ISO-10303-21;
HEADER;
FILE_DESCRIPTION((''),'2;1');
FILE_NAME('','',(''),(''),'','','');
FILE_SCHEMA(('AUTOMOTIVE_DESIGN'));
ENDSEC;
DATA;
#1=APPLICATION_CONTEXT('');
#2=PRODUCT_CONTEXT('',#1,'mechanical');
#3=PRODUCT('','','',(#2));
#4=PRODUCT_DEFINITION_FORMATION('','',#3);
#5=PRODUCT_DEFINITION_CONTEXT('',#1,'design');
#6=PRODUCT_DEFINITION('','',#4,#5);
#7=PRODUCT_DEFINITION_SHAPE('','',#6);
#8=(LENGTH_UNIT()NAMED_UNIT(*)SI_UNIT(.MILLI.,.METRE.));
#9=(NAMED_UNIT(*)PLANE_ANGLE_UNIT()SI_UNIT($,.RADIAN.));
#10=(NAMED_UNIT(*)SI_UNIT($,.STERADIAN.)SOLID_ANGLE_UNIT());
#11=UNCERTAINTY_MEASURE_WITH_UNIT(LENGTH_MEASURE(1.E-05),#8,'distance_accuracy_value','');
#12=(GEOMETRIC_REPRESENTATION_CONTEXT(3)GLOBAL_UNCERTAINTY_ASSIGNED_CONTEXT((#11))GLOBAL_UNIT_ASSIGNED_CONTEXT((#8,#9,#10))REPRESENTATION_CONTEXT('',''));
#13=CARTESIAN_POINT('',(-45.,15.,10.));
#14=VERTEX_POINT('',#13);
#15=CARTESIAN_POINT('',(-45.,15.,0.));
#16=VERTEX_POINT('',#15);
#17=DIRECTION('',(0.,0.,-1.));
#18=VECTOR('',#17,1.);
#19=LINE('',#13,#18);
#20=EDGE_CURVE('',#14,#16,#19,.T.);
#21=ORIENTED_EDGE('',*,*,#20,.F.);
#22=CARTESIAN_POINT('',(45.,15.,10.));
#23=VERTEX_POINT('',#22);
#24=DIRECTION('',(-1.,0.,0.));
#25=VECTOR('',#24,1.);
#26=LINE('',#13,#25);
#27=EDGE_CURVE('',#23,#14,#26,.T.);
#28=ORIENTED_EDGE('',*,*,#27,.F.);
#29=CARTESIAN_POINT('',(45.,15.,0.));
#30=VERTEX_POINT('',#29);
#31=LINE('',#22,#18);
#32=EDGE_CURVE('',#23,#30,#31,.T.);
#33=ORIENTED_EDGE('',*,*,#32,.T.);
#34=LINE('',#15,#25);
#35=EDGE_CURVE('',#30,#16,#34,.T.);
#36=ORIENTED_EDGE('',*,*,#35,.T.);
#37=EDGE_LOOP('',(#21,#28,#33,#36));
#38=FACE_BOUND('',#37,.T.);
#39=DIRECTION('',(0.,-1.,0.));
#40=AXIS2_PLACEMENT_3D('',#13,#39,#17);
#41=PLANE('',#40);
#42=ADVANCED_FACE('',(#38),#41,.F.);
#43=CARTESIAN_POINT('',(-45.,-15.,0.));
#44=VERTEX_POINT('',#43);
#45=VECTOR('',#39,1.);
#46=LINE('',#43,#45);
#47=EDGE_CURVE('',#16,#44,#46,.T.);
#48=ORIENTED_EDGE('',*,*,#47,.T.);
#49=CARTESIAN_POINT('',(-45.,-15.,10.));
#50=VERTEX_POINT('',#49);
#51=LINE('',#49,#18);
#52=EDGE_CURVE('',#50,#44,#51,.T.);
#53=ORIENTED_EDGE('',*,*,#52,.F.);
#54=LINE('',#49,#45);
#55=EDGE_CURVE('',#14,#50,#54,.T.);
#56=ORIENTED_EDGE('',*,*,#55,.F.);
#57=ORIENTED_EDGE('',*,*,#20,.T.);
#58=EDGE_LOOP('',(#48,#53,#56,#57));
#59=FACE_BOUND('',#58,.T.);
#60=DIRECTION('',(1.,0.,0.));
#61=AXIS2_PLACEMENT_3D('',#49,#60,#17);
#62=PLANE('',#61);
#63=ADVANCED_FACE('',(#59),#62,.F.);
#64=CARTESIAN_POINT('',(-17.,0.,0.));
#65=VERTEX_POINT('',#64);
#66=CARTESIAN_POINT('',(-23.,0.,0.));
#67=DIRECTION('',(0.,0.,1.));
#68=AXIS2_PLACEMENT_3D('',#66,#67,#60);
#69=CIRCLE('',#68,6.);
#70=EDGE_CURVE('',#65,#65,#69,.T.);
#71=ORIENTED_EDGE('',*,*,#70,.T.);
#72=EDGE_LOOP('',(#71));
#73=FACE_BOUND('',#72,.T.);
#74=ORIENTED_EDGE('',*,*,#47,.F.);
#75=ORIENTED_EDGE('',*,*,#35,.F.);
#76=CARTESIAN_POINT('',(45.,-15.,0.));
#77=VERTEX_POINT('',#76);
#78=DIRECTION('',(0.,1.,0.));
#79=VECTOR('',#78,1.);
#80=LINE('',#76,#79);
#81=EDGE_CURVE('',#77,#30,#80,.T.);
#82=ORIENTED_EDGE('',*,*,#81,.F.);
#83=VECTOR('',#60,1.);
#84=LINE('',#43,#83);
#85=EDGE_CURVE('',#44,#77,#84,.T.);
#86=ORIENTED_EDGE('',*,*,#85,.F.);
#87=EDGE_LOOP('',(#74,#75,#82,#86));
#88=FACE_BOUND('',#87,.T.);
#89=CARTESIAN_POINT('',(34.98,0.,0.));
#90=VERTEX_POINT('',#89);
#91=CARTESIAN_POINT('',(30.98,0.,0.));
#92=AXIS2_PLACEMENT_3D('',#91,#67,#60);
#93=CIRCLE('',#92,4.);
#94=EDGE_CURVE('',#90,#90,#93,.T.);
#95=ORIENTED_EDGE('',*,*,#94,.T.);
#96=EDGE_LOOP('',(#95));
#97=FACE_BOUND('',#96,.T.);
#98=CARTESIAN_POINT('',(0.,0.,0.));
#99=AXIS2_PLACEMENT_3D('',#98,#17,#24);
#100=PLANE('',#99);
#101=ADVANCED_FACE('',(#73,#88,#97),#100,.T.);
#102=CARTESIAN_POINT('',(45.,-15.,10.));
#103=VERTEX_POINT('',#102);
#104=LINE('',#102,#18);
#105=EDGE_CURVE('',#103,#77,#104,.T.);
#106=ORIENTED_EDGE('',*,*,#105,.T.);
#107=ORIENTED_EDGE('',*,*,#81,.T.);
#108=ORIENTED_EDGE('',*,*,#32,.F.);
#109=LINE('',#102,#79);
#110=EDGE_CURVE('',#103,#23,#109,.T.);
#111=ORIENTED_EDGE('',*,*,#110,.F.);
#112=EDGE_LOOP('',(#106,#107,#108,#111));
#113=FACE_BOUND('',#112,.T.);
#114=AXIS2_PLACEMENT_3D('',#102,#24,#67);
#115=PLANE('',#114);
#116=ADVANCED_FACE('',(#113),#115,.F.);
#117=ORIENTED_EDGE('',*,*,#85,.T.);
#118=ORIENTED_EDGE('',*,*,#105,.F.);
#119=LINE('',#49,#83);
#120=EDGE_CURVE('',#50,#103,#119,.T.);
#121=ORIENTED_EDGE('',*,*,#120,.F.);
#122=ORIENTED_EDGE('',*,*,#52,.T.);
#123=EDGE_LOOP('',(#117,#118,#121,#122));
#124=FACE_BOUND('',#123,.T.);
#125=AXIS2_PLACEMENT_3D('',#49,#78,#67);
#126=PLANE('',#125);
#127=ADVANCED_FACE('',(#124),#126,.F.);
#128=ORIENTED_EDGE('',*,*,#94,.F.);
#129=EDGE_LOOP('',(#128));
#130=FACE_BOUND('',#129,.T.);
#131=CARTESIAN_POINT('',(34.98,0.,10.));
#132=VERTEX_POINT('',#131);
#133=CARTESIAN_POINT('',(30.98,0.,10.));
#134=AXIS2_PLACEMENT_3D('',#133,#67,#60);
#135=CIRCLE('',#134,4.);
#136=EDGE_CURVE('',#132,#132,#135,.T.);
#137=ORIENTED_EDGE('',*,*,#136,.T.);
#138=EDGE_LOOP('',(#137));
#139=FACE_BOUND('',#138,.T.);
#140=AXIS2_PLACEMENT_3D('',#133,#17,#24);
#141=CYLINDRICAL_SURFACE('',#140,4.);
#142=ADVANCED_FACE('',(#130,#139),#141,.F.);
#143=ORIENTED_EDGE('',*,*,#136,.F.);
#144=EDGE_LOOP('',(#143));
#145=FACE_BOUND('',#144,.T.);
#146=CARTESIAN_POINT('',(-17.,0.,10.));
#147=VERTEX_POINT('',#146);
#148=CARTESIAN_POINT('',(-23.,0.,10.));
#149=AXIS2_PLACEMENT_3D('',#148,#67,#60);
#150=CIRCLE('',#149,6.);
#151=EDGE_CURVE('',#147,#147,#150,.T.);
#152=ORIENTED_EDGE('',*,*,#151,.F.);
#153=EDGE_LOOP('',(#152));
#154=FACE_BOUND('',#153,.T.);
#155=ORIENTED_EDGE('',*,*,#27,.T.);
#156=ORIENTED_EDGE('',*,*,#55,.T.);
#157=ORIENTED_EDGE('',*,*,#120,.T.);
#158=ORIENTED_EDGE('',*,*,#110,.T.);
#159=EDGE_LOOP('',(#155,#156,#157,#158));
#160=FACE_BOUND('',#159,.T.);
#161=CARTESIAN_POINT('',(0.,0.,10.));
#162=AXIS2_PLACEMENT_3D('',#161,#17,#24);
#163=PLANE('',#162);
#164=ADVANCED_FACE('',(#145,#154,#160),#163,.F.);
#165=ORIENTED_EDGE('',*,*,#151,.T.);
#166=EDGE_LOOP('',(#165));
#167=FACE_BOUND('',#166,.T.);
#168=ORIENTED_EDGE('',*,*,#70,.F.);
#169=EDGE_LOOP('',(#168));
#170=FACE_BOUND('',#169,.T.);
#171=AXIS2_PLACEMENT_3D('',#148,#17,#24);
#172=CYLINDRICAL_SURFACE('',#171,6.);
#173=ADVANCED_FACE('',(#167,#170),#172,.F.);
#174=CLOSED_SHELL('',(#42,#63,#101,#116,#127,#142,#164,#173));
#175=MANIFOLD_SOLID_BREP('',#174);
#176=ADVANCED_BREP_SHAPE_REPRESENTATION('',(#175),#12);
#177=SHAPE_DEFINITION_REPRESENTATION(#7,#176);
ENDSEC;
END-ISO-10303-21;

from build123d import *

# Parameters (mm, degrees)
SKETCH1_W           = 90
SKETCH1_H           = 30
SKETCH1_R           = 6
SKETCH1_R_2         = 4
BOSS_EXTRUDE1_DEPTH = 10


with BuildPart() as part:
    # Sketch1 → Boss-Extrude1 (new body)
    with BuildSketch(Plane.XY):
        Rectangle(SKETCH1_W, SKETCH1_H)
        with Locations((-23, 0)):
            Circle(SKETCH1_R, mode=Mode.SUBTRACT)
        with Locations((30.98, 0)):
            Circle(SKETCH1_R_2, mode=Mode.SUBTRACT)
    extrude(amount=BOSS_EXTRUDE1_DEPTH)


solid = part.part
